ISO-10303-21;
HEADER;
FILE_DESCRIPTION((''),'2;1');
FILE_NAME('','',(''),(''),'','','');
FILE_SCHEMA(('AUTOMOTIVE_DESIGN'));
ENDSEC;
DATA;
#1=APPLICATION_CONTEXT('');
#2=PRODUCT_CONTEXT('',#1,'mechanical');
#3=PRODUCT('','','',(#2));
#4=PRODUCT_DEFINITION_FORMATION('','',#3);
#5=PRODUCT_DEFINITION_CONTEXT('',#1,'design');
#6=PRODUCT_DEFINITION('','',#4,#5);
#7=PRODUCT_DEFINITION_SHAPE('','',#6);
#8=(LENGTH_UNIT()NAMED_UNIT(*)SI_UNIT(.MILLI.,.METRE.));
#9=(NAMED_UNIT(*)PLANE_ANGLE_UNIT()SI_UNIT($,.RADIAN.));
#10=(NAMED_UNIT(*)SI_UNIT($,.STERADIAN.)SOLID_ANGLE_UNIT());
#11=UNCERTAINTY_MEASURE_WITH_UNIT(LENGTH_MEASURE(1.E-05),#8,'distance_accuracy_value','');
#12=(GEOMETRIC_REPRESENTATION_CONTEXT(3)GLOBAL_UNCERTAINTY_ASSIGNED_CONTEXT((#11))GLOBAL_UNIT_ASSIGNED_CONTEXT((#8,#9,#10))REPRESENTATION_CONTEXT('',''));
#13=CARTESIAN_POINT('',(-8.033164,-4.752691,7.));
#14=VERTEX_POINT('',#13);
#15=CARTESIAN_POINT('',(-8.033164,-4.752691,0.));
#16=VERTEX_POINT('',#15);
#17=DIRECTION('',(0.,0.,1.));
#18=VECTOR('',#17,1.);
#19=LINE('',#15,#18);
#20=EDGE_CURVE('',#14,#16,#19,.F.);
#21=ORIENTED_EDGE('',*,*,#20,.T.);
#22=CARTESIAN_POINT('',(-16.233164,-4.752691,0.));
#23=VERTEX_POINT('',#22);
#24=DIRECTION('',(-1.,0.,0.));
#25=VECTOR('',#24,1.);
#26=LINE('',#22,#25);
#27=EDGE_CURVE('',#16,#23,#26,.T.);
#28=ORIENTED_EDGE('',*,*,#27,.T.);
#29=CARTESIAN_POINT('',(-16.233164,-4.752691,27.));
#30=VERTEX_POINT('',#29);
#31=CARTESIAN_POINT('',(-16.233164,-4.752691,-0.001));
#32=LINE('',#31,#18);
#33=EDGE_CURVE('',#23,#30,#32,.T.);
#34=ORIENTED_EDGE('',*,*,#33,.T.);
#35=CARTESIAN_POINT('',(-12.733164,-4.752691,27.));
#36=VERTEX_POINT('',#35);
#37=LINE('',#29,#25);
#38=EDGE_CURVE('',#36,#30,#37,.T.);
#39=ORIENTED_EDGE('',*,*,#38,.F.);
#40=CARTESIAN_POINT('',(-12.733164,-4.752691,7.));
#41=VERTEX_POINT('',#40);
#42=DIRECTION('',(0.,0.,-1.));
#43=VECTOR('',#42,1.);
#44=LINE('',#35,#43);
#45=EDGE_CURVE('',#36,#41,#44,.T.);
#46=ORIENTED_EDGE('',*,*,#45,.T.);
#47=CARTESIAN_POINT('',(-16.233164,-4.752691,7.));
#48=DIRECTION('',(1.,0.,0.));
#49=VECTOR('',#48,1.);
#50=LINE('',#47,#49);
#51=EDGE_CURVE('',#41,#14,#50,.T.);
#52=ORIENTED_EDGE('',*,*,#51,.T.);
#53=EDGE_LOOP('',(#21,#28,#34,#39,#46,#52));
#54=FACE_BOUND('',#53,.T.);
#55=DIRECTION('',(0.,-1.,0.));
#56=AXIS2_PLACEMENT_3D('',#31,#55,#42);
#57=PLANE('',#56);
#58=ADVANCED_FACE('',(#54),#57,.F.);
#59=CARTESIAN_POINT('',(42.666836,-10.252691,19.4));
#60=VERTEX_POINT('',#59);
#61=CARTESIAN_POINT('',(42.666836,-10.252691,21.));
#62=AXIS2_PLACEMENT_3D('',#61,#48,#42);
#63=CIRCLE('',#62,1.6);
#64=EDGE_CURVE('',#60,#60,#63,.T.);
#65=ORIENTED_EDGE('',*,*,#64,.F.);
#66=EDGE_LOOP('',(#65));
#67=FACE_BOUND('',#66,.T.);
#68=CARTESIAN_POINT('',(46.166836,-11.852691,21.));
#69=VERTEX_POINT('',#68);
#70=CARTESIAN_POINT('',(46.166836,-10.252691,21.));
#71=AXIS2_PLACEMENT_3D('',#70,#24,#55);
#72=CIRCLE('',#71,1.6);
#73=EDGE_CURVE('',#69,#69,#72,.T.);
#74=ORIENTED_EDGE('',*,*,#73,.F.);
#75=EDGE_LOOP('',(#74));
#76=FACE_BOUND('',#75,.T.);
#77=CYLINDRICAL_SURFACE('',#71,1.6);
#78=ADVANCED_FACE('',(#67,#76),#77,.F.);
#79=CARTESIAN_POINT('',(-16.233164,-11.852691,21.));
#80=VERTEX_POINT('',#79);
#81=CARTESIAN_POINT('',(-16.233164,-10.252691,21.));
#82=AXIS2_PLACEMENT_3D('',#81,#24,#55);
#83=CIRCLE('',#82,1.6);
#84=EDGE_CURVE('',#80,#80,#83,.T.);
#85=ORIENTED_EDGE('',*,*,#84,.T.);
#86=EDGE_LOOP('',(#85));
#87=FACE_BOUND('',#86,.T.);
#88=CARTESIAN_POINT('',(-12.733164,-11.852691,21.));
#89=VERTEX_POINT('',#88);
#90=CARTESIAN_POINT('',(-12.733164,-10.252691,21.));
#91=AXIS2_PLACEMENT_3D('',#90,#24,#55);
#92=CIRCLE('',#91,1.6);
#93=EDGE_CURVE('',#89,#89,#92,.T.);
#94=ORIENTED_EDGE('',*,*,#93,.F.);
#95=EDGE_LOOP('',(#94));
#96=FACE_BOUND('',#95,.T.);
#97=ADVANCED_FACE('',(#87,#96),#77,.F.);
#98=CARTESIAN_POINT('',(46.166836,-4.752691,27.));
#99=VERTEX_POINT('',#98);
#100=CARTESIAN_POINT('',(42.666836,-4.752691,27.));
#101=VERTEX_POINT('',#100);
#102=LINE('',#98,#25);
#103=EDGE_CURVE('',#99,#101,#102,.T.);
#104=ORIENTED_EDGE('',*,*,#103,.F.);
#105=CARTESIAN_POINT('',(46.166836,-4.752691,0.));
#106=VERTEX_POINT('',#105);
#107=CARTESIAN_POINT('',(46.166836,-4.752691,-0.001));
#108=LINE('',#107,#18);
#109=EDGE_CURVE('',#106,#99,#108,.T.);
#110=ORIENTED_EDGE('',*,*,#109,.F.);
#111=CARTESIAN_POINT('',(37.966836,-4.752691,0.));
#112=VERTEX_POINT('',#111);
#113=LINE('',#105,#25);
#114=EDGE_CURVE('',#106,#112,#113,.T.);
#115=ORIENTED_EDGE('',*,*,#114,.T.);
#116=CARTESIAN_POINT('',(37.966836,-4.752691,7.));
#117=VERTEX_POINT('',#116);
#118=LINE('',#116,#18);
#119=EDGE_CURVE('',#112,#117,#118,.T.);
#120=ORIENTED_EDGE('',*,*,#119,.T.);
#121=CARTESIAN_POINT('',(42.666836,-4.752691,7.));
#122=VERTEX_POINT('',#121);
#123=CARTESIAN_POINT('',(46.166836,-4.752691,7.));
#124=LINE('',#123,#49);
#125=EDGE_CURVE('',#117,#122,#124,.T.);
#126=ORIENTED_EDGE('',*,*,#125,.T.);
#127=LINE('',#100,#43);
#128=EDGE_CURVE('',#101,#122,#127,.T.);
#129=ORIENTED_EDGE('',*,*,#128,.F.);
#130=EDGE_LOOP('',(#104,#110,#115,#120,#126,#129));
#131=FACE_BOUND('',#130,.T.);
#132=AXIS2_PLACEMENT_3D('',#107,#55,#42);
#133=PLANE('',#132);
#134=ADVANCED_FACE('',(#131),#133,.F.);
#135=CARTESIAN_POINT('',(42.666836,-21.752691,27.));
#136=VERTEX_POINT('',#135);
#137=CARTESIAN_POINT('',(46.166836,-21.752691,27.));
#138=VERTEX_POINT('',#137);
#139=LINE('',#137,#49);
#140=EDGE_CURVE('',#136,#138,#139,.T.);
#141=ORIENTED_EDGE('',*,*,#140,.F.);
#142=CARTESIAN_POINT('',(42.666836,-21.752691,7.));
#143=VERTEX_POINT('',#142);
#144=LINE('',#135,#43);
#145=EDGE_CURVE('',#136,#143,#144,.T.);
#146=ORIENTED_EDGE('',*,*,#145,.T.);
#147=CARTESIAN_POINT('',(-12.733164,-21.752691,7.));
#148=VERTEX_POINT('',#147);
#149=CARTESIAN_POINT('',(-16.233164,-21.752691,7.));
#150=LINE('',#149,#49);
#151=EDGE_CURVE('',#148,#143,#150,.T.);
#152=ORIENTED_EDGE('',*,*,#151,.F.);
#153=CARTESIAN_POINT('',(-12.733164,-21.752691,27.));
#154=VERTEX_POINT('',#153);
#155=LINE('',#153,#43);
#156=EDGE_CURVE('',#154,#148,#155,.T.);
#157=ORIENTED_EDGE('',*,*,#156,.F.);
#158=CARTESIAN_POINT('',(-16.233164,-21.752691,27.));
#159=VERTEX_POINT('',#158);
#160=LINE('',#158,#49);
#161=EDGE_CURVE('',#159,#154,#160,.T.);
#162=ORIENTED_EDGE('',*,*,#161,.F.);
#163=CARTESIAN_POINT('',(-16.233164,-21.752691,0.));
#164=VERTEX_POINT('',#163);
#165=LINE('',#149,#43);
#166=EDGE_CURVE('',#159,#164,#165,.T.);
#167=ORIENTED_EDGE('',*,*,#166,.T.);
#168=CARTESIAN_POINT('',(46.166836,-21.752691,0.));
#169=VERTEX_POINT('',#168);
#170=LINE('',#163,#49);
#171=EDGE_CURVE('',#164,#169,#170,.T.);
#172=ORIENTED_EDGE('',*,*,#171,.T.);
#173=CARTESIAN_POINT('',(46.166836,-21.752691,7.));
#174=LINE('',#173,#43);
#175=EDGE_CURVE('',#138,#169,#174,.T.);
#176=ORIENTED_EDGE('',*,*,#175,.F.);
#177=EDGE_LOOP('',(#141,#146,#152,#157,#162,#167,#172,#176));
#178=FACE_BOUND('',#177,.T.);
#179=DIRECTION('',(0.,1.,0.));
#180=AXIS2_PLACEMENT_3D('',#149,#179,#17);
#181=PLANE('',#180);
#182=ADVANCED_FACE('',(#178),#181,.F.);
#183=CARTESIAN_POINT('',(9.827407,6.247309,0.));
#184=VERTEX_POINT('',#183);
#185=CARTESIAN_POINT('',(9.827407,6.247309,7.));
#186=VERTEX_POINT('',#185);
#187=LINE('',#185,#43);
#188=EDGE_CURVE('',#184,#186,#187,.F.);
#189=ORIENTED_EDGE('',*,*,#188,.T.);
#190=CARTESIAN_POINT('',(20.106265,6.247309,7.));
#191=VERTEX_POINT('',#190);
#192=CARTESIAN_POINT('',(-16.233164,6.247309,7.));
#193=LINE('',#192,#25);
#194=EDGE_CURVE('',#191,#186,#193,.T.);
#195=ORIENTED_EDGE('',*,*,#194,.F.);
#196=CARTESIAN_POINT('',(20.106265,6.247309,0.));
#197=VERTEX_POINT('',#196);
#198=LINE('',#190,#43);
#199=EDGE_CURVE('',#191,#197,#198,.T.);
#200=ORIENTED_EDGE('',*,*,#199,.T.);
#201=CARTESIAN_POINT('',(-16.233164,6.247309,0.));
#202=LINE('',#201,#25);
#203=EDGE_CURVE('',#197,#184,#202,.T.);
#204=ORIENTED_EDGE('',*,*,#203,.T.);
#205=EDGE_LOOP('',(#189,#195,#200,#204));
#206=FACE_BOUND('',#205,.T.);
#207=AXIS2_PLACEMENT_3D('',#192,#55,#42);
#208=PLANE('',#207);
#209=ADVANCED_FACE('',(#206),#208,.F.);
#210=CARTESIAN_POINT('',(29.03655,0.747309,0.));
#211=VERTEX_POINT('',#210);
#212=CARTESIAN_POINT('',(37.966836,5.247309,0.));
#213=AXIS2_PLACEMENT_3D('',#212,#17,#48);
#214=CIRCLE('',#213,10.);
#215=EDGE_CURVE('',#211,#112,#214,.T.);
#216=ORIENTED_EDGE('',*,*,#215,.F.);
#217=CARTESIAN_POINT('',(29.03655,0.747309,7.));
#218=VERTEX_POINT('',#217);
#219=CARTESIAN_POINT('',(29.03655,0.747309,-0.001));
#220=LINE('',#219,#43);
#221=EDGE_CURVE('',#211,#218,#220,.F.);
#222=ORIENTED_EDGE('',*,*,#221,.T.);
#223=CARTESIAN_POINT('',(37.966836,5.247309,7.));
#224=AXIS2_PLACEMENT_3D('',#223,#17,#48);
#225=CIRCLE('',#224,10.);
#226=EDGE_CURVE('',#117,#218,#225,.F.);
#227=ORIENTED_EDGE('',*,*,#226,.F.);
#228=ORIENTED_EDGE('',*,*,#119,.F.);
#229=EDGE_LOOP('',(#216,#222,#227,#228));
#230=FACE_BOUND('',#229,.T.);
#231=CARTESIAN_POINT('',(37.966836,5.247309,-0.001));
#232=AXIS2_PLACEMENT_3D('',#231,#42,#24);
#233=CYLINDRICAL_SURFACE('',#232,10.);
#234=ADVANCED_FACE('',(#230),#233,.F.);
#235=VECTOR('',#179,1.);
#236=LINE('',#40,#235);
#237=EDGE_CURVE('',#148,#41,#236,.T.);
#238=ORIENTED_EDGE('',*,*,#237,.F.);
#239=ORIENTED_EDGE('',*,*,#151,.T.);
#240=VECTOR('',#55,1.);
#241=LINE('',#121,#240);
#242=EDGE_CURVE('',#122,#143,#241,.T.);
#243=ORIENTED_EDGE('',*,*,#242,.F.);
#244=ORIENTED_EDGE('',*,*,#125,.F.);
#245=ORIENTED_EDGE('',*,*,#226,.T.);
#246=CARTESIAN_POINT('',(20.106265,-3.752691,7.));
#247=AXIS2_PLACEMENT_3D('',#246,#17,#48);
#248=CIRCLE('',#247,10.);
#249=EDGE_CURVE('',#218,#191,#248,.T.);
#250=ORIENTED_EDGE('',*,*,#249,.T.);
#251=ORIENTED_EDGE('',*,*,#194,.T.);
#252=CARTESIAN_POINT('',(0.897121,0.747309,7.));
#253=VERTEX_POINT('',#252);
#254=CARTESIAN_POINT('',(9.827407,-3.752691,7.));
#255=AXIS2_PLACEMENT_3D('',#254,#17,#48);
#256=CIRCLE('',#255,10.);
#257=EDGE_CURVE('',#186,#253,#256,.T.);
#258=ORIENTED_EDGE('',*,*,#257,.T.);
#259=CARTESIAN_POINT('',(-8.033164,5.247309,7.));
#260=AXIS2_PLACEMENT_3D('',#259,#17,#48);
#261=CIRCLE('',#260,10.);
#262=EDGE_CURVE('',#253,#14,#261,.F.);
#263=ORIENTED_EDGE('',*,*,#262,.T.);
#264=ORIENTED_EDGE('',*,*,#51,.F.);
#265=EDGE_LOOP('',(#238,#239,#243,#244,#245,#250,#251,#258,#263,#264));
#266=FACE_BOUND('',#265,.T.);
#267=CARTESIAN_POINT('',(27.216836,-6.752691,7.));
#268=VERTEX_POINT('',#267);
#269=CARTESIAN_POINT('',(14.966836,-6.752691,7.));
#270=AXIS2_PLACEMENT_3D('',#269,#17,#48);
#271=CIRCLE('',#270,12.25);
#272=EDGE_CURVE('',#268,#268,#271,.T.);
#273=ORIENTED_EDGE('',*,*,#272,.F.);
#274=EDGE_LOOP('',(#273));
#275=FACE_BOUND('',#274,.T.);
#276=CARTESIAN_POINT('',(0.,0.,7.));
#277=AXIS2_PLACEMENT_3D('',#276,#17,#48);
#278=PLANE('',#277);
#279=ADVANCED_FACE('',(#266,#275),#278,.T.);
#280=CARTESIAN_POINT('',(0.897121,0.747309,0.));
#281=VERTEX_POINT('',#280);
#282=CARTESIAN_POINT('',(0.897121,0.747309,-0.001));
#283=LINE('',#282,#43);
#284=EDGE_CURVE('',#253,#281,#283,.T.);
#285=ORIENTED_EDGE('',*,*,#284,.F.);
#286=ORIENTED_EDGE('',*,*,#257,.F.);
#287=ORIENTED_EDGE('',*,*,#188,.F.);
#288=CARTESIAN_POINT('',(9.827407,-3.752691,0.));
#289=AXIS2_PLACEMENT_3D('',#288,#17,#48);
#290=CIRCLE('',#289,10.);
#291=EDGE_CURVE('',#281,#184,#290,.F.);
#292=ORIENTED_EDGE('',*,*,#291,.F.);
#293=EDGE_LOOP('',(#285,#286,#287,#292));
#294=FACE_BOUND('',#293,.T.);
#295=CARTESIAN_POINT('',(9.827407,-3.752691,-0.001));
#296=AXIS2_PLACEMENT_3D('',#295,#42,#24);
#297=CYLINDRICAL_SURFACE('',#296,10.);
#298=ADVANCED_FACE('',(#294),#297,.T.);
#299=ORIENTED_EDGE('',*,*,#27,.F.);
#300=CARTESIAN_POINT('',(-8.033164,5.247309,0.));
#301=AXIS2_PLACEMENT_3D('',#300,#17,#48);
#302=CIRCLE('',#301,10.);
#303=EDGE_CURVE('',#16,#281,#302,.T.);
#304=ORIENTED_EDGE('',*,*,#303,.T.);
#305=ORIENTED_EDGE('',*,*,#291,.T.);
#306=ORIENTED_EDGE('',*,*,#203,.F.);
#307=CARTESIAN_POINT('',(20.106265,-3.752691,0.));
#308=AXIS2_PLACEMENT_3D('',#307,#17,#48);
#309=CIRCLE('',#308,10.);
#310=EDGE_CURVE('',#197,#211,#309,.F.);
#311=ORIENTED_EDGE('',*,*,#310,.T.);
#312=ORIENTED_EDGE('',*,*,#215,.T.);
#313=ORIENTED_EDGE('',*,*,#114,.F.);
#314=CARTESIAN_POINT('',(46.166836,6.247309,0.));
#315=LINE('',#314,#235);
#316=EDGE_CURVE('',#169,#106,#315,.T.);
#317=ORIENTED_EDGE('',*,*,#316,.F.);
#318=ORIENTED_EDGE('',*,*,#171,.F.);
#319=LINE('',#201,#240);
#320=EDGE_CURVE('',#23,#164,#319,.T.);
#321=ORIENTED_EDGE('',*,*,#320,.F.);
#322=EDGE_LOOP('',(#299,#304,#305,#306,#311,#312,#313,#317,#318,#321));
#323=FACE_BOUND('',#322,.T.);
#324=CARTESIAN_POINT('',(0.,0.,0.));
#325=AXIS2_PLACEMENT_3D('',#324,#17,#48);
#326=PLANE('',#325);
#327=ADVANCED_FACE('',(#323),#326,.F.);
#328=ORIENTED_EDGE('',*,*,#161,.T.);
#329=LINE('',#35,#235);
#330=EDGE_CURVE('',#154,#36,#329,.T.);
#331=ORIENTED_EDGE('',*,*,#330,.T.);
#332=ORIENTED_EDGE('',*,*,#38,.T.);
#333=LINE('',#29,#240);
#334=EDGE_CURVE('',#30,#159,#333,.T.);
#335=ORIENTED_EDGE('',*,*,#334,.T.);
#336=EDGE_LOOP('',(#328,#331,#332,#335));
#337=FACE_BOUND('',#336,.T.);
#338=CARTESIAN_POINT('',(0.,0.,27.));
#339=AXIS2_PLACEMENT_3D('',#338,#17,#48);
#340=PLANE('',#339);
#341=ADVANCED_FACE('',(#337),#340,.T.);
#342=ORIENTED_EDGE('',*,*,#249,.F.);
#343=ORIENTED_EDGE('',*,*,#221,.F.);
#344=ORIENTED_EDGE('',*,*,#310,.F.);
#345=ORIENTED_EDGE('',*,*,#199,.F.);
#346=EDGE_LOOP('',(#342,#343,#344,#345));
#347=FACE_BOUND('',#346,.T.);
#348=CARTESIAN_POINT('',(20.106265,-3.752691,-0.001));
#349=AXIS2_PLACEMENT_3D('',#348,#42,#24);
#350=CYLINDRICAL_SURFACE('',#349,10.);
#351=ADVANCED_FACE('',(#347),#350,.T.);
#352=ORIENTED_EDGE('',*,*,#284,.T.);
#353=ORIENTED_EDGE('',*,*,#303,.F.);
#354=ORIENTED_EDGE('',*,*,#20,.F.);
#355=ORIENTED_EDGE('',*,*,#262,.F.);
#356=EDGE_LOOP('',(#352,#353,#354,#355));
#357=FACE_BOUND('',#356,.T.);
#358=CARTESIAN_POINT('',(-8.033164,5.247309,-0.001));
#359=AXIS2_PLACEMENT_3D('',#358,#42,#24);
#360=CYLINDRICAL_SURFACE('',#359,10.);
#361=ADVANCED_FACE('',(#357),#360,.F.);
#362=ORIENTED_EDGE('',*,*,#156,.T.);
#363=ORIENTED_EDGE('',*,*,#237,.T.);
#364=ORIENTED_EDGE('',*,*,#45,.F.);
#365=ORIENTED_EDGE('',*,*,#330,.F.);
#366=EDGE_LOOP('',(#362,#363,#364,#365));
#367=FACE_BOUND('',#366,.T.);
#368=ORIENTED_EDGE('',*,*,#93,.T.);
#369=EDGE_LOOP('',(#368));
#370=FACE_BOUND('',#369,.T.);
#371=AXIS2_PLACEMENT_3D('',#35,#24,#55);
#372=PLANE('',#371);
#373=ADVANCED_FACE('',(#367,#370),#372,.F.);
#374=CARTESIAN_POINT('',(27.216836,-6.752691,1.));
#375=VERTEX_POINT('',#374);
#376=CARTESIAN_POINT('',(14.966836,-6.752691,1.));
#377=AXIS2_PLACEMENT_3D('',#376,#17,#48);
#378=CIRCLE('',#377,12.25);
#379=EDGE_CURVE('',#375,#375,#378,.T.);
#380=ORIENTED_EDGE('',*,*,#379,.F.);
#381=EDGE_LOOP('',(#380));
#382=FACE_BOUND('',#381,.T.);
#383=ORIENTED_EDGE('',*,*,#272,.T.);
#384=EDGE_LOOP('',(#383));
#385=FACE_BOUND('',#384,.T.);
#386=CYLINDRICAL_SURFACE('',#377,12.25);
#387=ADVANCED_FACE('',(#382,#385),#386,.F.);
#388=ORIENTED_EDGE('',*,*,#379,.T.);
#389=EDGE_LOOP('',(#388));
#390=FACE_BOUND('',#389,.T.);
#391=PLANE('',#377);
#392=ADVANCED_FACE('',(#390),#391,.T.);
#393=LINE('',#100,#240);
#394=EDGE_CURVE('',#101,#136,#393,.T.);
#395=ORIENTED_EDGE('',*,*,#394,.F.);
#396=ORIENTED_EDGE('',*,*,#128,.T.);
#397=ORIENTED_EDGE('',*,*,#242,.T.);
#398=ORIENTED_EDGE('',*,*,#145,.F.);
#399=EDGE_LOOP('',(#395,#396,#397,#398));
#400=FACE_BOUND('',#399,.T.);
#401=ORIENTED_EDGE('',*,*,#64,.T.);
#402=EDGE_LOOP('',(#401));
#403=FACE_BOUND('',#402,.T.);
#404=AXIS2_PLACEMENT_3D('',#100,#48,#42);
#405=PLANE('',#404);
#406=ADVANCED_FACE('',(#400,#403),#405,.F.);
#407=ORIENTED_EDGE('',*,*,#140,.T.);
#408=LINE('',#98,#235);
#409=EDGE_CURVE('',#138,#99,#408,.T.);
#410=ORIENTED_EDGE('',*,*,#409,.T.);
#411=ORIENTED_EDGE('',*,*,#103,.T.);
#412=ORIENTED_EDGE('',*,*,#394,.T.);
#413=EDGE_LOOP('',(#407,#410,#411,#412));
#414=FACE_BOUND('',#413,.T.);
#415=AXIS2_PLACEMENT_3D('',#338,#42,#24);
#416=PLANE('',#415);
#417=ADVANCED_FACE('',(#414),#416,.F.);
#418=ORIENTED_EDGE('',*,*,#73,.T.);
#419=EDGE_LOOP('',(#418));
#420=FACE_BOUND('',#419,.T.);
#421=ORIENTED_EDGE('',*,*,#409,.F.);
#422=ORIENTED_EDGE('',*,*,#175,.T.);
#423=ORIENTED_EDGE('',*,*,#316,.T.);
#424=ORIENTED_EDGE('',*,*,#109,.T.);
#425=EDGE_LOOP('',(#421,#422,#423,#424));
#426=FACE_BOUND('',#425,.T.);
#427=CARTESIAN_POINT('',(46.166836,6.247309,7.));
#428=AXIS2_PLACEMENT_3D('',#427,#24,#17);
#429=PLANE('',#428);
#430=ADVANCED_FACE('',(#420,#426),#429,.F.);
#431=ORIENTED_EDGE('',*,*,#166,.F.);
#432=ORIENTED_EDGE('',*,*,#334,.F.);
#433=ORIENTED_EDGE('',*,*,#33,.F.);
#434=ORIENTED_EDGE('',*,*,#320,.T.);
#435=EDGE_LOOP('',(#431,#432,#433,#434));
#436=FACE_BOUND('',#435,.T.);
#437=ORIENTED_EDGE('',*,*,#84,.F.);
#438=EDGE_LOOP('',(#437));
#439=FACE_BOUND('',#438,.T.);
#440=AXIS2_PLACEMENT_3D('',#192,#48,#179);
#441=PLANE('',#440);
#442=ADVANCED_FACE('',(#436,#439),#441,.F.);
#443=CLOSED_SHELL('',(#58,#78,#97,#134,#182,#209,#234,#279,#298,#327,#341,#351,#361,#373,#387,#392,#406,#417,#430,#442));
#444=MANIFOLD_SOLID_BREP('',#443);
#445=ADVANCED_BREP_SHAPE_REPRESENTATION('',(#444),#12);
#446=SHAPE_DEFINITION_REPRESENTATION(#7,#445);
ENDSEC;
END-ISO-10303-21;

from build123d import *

# Parameters (mm, degrees)
SKETCH1_W           = 62.4
SKETCH1_H           = 28
BOSS_EXTRUDE2_DEPTH = 7
SKETCH3_R           = 12.25
CUT_EXTRUDE2_DEPTH  = 6
CUT_EXTRUDE3_REACH  = 53.513
SKETCH4_W           = 18.2
SKETCH4_H           = 11
FILLET1_R           = 10
FILLET2_R           = 10
SKETCH5_W           = 3.5
SKETCH5_H           = 17
BOSS_EXTRUDE3_DEPTH = 20
SKETCH6_R           = 1.6
CUT_EXTRUDE4_DEPTH  = 72.38585011


with BuildPart() as part:
    # Sketch1 → Boss-Extrude2 (new body)
    with BuildSketch(Plane.XY):
        with Locations((14.966835682, -7.752691308)):
            Rectangle(SKETCH1_W, SKETCH1_H)
    extrude(amount=BOSS_EXTRUDE2_DEPTH)

    # Sketch3 → Cut-Extrude2 (cut)
    with BuildSketch(Plane.XY.offset(7)):
        with Locations((14.966835682, -6.752691308)):
            Circle(SKETCH3_R)
    extrude(amount=-CUT_EXTRUDE2_DEPTH, mode=Mode.SUBTRACT)

    # Sketch4 → Cut-Extrude3 (cut, up to next)
    with BuildSketch(Plane.XY.offset(7), mode=Mode.PRIVATE) as cut_extrude3_sk1:
        with Locations((-7.133164318, 0.747308692)):
            Rectangle(SKETCH4_W, SKETCH4_H)
    cut_extrude3_tool1 = extrude(cut_extrude3_sk1.sketch, amount=-CUT_EXTRUDE3_REACH, mode=Mode.PRIVATE) & part.part
    # Sketch4 → Cut-Extrude3 (cut, up to next)
    with BuildSketch(Plane.XY.offset(7), mode=Mode.PRIVATE) as cut_extrude3_sk2:
        with Locations((37.066835682, 0.747308692)):
            Rectangle(SKETCH4_W, SKETCH4_H)
    cut_extrude3_tool2 = extrude(cut_extrude3_sk2.sketch, amount=-CUT_EXTRUDE3_REACH, mode=Mode.PRIVATE) & part.part
    add(cut_extrude3_tool1.solids().sort_by_distance((-7.133164, 0.747309, 7))[0], mode=Mode.SUBTRACT)
    add(cut_extrude3_tool2.solids().sort_by_distance((37.066836, 0.747309, 7))[0], mode=Mode.SUBTRACT)

    # Fillet1
    fillet1_edges = [part.edges().sort_by_distance(p)[0] for p in [
        (1.966835682, -4.752691308, 3.5),
        (27.966835682, -4.752691308, 3.5),
    ]]
    fillet(fillet1_edges, radius=FILLET1_R)

    # Fillet2
    fillet2_edges = [part.edges().sort_by_distance(p)[0] for p in [
        (27.966835682, 6.247308692, 3.5),
        (1.966835682, 6.247308692, 3.5),
    ]]
    fillet(fillet2_edges, radius=FILLET2_R)

    # Sketch5 → Boss-Extrude3 (add)
    with BuildSketch(Plane.XY.offset(7)):
        with Locations((-14.483164318, -13.252691308)):
            Rectangle(SKETCH5_W, SKETCH5_H)
        with Locations((44.416835682, -13.252691308)):
            Rectangle(SKETCH5_W, SKETCH5_H)
    extrude(amount=BOSS_EXTRUDE3_DEPTH)

    # Sketch6 → Cut-Extrude4 (cut, through all)
    with BuildSketch(Plane.ZY.offset(16.233164318)):
        with Locations(Location((21, -10.252691308, 0), (0, 0, 270))):
            Circle(SKETCH6_R)
    extrude(amount=-CUT_EXTRUDE4_DEPTH, mode=Mode.SUBTRACT)


solid = part.part
